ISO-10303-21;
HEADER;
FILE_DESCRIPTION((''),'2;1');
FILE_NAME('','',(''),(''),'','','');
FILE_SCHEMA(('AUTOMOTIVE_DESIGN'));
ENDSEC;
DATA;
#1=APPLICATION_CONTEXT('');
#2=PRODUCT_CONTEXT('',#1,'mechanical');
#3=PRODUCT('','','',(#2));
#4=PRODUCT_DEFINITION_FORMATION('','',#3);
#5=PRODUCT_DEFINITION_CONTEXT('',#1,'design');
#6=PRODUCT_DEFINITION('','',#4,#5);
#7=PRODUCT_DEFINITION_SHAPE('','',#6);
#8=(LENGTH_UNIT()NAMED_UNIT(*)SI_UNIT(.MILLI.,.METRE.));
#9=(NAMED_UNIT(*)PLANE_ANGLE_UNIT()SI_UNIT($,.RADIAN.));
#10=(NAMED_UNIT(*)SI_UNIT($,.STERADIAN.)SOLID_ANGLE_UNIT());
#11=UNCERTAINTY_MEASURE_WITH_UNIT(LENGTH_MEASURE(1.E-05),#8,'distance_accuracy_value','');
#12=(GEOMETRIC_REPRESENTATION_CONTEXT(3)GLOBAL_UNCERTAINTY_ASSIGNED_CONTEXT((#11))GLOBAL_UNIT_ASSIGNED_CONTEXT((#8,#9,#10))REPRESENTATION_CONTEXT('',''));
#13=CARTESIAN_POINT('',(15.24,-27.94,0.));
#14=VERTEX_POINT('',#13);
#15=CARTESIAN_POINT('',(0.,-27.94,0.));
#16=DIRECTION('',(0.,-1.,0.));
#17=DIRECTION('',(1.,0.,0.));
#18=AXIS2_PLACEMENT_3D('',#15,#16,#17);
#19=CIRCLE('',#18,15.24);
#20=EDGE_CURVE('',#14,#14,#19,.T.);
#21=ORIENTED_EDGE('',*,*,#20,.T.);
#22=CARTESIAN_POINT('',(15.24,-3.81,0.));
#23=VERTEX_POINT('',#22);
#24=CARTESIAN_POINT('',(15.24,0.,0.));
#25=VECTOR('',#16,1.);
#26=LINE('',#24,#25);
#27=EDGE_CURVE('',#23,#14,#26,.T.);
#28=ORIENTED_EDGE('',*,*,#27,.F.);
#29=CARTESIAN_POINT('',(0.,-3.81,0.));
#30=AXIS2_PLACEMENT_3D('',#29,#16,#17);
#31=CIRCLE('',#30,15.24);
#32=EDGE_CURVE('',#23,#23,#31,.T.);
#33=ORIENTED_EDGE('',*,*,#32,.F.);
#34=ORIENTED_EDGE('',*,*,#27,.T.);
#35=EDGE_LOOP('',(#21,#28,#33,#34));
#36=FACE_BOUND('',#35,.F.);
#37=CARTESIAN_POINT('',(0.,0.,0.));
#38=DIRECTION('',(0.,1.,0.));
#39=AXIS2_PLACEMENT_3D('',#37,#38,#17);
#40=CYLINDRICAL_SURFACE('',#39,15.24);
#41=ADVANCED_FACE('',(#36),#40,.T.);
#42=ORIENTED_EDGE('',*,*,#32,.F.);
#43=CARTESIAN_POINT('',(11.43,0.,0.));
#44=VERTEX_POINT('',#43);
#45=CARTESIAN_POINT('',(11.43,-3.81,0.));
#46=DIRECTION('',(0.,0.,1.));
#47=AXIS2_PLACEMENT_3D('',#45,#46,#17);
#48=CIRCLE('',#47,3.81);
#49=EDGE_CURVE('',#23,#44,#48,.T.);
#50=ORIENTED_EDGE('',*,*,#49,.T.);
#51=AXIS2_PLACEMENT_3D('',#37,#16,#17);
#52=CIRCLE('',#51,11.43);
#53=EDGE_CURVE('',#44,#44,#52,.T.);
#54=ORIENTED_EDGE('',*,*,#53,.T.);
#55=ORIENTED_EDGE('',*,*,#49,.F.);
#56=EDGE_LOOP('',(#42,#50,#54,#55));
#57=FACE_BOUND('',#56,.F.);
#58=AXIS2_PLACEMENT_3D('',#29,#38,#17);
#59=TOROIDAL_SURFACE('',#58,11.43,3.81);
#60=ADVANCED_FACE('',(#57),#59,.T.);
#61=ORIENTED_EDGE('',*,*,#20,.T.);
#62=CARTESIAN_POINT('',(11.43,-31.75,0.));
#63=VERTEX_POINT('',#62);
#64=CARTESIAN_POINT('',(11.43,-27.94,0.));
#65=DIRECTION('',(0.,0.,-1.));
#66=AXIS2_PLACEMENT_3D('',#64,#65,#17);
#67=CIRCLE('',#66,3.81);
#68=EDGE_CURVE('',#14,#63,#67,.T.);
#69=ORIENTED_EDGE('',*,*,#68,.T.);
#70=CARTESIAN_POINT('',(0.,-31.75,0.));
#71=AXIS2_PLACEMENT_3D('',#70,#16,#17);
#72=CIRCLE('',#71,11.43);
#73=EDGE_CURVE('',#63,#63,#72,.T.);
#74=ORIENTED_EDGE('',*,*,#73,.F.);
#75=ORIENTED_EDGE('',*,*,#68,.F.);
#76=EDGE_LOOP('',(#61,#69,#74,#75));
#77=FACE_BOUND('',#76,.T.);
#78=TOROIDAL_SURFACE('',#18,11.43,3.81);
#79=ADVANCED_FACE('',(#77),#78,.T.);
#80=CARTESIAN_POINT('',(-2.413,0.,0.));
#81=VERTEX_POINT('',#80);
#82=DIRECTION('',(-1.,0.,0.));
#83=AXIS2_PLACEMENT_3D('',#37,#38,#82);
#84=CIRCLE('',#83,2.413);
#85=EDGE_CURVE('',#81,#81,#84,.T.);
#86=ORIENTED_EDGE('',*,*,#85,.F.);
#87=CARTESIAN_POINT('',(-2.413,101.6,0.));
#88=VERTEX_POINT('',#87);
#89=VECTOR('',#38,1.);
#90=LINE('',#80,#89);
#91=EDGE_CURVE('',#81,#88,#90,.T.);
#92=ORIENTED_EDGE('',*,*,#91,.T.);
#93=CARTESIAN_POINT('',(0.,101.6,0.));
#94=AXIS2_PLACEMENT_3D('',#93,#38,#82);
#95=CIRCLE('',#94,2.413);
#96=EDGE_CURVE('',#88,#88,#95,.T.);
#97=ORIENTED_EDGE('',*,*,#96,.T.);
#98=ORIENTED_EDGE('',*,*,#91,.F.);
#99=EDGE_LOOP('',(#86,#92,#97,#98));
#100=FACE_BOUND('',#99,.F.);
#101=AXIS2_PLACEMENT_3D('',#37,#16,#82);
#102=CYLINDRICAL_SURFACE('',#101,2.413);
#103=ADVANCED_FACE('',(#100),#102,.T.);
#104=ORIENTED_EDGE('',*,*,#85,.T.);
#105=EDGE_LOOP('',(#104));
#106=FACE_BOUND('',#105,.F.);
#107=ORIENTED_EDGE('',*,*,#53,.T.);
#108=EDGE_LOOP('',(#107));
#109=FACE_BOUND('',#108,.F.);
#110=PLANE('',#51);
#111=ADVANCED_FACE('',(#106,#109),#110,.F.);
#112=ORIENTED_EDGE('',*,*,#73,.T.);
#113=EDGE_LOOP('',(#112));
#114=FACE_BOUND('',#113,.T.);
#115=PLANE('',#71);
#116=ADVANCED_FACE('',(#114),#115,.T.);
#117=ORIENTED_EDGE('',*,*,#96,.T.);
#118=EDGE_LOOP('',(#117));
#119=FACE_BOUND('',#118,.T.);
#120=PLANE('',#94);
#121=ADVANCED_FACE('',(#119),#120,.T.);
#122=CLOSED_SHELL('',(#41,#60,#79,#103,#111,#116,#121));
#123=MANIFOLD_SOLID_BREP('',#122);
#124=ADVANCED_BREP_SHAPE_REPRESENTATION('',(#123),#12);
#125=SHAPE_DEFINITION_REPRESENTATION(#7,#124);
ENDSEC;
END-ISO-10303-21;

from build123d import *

# Parameters (mm, degrees)
F0_R     = 15.24
F1_DEPTH = 31.75
F2_R     = 3.81
F3_R     = 2.413
F4_DEPTH = 101.6


with BuildPart() as f1:
    # F0 (on Front) → F1 (new body)
    with BuildSketch(Plane.XZ):
        Circle(F0_R)
    extrude(amount=F1_DEPTH)

    # F2
    f2_edges = [f1.edges().sort_by_distance(p)[0] for p in [
        (-15.24, -31.75, 0),
        (-15.24, 0, 0),
    ]]
    fillet(f2_edges, radius=F2_R)

    # F3 (on face) → F4 (join)
    with BuildSketch(Plane(origin=(0, 0, 0), x_dir=(-1, 0, 0), z_dir=(0, 1, 0))):
        Circle(F3_R)
    extrude(amount=F4_DEPTH)


solid = f1.part
